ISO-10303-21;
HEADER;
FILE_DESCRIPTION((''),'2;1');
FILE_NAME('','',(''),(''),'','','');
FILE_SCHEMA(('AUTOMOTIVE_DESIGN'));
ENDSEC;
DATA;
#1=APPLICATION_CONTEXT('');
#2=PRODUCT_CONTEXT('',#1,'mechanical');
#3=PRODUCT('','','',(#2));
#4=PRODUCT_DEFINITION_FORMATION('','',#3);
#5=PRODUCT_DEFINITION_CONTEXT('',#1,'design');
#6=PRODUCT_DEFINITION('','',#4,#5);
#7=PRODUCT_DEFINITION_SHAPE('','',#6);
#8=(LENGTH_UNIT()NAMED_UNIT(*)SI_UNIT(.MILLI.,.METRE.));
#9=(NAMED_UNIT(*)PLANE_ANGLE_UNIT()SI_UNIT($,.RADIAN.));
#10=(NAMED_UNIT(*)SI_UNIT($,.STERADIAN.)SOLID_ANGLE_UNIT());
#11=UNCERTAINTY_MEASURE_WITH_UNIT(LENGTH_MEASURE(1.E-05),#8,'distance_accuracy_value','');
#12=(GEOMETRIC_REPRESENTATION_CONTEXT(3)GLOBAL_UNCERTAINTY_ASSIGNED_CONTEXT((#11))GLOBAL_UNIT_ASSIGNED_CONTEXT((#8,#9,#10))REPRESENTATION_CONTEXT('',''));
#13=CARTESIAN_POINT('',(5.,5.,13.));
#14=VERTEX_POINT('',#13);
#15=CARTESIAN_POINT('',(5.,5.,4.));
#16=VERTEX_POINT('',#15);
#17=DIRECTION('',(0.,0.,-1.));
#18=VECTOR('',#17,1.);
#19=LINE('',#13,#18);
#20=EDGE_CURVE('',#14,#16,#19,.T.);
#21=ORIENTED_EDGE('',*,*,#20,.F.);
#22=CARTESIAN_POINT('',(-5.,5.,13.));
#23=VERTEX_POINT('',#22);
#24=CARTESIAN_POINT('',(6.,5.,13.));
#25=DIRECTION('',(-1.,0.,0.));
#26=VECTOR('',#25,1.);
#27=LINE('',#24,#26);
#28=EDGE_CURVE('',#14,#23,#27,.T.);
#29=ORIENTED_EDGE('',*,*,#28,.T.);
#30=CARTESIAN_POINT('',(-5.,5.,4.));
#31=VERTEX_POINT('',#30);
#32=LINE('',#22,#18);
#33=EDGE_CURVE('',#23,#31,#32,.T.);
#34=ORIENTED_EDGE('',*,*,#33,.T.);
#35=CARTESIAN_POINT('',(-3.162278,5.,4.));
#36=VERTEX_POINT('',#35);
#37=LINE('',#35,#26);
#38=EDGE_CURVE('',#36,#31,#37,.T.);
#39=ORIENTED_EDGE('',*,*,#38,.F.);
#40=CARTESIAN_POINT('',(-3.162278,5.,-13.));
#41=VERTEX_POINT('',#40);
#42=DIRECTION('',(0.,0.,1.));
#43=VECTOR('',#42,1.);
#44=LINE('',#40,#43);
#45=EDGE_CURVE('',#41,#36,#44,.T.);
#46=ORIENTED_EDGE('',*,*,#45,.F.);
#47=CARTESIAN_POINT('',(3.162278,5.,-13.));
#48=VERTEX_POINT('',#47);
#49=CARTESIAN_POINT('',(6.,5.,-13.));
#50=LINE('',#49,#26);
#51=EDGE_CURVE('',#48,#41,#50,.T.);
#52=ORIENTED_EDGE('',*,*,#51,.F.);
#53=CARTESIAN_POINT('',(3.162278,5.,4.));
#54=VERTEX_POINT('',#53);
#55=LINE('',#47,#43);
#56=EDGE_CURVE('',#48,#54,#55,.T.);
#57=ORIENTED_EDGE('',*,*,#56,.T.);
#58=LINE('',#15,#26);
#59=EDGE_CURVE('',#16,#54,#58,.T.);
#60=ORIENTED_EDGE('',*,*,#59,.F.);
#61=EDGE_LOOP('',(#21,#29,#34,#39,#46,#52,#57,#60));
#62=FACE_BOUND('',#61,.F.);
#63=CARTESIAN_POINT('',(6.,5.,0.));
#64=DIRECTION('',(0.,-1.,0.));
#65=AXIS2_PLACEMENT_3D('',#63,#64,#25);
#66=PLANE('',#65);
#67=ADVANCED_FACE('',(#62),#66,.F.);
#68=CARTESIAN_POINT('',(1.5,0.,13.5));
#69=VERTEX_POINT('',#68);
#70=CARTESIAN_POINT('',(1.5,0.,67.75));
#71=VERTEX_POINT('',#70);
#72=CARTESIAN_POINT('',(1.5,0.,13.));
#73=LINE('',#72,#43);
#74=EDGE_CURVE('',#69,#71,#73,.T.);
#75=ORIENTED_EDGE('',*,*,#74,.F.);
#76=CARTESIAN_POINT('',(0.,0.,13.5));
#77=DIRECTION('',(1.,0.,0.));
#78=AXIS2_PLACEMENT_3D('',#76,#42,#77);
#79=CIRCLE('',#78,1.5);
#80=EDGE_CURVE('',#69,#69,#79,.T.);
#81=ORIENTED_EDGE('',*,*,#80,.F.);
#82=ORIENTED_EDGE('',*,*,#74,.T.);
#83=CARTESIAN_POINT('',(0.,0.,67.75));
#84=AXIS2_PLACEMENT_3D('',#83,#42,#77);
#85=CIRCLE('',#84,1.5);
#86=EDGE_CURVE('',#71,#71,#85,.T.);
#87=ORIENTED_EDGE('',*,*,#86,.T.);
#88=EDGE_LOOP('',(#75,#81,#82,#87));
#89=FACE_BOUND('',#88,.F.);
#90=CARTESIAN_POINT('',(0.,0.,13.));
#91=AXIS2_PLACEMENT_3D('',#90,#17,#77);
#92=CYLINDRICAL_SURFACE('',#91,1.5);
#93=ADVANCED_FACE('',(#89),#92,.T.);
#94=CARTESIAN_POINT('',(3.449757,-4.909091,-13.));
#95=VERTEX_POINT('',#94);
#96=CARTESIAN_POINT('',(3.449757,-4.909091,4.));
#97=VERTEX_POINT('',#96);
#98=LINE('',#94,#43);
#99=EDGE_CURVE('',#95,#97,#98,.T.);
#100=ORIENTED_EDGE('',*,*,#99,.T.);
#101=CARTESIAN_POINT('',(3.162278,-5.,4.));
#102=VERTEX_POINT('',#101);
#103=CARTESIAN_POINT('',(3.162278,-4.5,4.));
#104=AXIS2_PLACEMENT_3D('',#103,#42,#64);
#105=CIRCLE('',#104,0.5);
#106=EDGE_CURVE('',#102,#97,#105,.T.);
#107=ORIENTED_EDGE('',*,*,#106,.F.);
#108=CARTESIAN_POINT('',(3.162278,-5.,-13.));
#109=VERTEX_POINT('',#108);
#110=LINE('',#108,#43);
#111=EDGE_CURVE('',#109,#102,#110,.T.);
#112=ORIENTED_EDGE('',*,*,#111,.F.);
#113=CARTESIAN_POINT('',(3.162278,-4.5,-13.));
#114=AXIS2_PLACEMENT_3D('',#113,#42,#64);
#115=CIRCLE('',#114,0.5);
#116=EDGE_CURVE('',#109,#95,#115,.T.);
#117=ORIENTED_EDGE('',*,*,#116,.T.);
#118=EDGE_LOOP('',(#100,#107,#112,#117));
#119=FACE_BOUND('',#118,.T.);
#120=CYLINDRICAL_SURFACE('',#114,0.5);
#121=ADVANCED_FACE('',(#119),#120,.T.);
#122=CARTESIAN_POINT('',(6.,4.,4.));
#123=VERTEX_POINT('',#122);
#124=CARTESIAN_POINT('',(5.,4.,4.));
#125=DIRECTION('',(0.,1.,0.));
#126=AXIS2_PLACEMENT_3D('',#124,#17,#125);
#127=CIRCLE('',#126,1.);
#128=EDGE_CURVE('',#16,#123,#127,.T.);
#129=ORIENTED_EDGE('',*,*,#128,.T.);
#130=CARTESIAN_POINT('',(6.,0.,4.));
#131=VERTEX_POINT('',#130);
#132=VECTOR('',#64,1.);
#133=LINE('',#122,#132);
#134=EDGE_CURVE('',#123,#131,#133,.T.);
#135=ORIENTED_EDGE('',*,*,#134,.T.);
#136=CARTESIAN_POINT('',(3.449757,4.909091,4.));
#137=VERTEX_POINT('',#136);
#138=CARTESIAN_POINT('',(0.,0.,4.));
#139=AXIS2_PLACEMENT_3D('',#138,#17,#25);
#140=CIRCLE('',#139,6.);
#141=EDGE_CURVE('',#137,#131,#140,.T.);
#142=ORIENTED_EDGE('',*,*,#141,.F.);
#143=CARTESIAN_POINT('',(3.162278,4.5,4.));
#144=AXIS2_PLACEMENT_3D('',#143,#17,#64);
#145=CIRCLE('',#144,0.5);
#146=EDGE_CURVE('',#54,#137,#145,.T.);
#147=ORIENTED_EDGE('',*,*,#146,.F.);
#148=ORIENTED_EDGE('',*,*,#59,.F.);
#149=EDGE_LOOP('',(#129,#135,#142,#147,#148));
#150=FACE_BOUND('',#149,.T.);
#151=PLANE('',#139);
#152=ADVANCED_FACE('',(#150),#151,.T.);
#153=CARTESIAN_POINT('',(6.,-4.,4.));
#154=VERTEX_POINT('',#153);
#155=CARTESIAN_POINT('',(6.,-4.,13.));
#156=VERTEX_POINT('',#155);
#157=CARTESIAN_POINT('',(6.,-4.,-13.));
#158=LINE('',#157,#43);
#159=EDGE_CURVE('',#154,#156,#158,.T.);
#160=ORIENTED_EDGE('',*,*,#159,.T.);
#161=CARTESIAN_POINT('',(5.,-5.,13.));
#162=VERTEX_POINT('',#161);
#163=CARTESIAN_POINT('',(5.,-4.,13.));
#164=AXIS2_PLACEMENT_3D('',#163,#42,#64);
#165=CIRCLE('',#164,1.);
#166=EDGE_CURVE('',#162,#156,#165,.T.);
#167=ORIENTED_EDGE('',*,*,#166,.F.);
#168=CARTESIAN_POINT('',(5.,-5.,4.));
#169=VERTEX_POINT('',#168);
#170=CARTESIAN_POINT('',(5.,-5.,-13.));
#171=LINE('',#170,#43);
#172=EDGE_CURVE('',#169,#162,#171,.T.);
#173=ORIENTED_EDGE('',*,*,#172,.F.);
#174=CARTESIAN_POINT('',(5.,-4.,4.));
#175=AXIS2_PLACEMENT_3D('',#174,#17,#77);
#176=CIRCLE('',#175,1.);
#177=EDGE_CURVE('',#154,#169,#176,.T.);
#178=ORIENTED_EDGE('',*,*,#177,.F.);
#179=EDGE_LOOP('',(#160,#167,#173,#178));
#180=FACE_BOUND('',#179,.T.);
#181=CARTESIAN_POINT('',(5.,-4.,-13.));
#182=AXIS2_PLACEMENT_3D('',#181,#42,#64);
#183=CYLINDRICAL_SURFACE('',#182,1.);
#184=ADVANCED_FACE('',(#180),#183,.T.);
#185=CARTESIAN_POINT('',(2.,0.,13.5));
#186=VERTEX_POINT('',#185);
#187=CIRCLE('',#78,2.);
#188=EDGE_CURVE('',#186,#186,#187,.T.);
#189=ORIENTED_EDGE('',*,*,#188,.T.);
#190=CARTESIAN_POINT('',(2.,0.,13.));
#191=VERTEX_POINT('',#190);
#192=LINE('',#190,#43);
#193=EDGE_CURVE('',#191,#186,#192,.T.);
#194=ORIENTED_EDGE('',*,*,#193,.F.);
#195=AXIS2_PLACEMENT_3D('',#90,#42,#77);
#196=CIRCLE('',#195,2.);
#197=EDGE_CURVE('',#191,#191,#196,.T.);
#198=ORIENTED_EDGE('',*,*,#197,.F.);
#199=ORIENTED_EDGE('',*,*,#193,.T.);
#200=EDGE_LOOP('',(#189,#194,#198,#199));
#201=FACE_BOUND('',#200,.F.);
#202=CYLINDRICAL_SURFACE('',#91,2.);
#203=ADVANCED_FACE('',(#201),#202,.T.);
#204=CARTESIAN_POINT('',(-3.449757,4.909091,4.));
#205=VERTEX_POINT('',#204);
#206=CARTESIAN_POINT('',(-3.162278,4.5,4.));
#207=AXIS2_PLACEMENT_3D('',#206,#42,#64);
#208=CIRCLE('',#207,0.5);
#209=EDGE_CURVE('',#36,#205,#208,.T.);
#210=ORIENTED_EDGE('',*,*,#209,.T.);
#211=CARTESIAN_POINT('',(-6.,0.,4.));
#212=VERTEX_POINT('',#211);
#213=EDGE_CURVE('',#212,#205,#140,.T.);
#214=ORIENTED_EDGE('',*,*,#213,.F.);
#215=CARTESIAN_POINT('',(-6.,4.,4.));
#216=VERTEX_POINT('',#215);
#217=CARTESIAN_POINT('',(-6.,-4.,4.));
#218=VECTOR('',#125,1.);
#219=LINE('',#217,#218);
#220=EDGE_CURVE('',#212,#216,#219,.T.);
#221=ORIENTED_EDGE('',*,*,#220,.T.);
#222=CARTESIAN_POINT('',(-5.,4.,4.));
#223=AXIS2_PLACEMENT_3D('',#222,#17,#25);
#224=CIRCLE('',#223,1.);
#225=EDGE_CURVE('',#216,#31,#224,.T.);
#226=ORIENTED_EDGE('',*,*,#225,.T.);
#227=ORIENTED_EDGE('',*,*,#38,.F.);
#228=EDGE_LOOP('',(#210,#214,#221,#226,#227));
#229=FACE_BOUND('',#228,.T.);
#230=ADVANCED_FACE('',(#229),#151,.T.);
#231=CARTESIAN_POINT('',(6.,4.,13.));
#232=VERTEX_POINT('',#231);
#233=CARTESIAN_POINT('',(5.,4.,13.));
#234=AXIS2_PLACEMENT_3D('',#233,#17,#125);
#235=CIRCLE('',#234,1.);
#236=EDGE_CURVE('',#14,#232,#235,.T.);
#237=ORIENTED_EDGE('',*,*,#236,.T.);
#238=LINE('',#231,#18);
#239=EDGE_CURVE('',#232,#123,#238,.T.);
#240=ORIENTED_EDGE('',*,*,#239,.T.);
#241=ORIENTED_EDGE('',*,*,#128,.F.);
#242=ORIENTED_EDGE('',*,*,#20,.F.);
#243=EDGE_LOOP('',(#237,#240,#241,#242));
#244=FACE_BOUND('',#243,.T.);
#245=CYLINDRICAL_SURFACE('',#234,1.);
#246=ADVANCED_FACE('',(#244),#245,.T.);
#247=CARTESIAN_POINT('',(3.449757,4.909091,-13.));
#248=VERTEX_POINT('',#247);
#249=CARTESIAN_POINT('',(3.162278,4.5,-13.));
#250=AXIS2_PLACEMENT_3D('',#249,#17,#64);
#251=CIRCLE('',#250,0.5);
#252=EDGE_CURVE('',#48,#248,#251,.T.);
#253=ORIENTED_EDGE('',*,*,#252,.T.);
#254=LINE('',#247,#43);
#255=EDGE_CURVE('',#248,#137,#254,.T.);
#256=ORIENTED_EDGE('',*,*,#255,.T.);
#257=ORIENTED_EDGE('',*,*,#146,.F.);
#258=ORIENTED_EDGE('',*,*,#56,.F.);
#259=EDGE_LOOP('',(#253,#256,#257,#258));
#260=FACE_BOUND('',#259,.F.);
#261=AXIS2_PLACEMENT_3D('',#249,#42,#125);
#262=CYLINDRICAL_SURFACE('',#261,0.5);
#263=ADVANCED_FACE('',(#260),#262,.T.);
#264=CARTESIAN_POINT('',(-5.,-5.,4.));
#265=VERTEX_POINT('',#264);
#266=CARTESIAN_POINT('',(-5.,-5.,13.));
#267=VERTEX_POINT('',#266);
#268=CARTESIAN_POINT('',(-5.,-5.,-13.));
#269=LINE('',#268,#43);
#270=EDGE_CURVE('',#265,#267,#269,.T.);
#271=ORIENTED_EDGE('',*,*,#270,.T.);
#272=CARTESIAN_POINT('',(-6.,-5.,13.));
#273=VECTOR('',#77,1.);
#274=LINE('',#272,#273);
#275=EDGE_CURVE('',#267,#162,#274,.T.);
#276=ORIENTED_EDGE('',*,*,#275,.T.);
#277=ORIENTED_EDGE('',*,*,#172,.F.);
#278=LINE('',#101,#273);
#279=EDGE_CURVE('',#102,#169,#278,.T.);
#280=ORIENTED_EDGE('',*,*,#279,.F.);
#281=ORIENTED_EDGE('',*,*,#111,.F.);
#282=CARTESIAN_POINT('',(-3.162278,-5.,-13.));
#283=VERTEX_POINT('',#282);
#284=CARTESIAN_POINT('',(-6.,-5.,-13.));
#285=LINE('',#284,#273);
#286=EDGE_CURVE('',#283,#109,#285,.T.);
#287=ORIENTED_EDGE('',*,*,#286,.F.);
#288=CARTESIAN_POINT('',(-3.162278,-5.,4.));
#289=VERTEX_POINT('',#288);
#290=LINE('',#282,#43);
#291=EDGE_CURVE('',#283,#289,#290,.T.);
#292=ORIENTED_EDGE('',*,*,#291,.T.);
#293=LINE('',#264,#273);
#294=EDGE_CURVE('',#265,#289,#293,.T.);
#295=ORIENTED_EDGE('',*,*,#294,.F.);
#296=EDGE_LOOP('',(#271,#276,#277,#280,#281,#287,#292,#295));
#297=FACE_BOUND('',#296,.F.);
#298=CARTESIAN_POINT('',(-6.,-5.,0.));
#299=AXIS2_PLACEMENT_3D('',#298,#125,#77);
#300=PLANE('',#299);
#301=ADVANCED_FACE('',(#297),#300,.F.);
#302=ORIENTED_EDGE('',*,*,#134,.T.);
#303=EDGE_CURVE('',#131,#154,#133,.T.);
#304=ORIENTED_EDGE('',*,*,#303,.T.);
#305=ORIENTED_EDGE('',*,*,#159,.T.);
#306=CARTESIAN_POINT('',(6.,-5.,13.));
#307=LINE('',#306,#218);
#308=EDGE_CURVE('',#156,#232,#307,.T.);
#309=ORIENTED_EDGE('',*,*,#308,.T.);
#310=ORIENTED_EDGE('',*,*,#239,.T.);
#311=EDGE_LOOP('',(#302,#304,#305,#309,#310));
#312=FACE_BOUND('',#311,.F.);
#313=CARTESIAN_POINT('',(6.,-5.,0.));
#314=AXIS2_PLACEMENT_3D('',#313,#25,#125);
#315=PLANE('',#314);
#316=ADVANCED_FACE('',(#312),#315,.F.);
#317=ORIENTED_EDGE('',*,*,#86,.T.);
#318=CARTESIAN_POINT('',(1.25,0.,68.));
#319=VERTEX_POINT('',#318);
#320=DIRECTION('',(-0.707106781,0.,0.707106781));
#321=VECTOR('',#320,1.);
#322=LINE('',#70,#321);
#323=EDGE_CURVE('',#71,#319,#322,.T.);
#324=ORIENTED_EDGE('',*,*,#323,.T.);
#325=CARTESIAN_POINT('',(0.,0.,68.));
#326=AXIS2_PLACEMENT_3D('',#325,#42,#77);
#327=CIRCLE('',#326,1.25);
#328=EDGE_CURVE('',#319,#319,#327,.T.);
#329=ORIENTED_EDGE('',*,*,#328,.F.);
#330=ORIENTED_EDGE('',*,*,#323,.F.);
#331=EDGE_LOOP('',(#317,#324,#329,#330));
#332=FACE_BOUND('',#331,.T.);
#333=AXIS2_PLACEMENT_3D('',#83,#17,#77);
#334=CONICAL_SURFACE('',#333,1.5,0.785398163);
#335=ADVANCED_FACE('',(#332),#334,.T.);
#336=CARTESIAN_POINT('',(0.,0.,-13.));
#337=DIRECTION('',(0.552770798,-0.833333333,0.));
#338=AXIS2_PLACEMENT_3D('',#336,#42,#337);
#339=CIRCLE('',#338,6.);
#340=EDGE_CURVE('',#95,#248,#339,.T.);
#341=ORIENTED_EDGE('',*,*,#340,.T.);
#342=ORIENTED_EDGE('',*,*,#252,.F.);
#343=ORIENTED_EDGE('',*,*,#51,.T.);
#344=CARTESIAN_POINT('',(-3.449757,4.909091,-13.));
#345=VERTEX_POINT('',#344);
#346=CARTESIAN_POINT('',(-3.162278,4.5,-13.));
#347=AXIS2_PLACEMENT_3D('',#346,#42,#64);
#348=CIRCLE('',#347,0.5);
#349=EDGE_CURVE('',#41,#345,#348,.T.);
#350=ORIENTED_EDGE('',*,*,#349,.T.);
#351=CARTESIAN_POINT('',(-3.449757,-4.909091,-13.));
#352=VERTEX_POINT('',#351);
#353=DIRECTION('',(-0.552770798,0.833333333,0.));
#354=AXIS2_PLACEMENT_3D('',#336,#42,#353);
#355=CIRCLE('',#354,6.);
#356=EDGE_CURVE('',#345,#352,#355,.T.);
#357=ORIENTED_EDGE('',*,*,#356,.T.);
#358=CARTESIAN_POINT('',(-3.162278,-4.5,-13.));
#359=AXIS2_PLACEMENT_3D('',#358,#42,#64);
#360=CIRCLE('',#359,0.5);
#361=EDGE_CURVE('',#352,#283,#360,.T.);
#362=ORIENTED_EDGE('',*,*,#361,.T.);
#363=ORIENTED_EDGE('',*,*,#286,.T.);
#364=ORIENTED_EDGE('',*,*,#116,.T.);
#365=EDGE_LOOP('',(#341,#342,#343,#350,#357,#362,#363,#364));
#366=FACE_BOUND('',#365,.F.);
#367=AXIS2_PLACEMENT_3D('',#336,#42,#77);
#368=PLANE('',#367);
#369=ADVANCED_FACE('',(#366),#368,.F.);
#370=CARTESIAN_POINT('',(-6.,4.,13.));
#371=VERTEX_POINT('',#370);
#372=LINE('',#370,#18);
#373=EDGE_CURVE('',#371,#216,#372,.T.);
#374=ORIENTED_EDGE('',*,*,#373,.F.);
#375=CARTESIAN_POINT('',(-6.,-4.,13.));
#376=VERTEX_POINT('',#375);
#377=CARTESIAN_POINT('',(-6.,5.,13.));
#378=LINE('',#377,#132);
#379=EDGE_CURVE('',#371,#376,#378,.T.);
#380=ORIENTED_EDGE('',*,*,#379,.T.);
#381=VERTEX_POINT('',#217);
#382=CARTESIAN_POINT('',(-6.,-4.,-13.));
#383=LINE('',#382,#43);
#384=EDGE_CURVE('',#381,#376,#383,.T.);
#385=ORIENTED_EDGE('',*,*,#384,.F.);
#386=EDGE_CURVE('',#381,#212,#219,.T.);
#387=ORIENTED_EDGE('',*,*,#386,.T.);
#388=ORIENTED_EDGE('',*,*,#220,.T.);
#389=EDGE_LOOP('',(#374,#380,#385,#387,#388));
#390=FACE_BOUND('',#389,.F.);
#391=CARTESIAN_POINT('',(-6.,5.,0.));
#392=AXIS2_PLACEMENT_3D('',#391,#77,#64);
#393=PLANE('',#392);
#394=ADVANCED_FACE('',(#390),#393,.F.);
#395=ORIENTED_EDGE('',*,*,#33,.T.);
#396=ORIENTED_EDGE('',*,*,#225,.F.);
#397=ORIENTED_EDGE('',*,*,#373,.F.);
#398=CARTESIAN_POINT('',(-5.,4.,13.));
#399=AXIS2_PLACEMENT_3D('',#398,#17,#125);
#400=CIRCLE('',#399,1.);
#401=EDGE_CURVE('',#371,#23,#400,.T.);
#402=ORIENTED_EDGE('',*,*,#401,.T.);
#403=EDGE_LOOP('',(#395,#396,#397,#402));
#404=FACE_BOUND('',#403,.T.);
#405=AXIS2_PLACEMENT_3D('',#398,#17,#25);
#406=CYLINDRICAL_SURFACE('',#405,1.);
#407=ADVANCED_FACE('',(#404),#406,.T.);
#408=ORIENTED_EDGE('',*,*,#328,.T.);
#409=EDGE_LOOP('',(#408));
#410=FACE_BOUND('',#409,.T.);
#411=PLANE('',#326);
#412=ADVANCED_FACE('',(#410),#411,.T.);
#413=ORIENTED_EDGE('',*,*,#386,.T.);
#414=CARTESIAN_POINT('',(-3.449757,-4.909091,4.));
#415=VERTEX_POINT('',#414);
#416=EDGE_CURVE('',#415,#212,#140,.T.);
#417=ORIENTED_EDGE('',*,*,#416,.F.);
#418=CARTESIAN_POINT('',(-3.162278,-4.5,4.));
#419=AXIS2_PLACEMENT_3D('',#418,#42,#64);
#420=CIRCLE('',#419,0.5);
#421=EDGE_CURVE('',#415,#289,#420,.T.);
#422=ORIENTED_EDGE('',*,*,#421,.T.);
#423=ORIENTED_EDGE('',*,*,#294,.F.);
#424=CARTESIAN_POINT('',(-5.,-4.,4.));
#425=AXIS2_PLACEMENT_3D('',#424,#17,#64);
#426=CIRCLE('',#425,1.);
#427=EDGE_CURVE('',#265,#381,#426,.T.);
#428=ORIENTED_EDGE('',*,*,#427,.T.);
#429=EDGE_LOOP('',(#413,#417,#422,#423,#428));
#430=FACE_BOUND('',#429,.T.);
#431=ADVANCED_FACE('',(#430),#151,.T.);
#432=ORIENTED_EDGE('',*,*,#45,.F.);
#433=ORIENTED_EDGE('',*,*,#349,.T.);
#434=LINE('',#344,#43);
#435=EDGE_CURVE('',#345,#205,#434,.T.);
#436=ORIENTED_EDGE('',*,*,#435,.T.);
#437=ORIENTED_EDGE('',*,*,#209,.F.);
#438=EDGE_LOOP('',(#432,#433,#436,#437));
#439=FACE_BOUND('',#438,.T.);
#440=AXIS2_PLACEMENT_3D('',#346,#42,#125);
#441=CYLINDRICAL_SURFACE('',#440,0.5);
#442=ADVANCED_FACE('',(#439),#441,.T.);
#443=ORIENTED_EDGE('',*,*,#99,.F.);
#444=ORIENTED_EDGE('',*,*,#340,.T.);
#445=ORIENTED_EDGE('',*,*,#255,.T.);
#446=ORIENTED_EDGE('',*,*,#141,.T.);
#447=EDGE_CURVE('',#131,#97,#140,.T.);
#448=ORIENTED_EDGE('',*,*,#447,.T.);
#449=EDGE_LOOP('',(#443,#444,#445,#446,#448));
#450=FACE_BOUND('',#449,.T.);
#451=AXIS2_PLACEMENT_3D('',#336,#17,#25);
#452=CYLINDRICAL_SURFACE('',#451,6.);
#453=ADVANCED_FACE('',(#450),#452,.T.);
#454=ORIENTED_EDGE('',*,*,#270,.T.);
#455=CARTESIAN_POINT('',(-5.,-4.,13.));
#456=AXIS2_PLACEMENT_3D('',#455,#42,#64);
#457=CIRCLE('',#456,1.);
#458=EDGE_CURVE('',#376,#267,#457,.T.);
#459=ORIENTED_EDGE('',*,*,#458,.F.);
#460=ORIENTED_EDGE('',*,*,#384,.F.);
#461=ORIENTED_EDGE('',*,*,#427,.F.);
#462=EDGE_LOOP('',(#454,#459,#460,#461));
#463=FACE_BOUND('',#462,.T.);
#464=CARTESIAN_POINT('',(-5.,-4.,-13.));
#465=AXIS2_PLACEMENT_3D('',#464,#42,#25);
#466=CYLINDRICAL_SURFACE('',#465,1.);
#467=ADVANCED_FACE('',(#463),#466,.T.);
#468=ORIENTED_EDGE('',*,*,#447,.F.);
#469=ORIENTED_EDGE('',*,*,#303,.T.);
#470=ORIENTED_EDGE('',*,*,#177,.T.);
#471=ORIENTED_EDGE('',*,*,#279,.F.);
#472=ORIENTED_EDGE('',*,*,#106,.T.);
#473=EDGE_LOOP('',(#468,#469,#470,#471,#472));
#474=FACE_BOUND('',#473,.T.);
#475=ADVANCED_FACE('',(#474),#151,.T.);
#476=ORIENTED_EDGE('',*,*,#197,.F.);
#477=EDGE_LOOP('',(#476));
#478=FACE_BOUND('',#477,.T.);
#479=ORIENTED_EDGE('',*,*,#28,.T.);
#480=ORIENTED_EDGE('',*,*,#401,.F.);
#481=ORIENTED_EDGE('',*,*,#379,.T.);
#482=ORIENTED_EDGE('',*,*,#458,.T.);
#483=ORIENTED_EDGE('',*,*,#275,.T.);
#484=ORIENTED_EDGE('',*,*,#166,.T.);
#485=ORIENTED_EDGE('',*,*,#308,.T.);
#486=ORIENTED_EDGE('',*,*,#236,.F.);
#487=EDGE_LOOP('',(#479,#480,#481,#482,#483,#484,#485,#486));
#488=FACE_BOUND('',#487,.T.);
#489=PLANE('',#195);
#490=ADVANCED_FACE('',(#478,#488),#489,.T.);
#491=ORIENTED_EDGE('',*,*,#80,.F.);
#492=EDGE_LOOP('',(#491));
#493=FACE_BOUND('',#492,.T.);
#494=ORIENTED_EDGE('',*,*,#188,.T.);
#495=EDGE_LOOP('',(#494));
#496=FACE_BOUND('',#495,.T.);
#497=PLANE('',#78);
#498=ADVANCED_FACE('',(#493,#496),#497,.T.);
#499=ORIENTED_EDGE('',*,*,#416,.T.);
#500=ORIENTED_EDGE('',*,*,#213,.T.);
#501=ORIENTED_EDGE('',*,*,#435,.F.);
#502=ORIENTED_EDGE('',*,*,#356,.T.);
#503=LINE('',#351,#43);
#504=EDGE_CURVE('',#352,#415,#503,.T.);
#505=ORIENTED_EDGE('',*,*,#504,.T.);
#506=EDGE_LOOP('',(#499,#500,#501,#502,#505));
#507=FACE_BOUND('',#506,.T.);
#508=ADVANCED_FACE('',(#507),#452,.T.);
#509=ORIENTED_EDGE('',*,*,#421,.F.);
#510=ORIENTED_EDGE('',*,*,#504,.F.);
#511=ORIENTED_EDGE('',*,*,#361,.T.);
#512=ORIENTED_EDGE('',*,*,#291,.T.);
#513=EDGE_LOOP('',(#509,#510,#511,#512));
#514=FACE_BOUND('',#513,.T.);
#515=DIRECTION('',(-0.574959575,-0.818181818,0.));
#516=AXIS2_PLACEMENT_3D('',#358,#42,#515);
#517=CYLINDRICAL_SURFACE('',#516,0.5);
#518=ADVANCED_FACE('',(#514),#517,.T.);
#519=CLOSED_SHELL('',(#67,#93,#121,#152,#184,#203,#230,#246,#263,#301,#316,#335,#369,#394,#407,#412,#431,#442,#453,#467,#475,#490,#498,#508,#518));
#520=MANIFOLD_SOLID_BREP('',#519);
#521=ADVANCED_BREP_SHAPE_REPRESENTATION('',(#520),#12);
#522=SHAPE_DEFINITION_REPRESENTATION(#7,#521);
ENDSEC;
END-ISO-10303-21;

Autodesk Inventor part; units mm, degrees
ref_plane "YZ Plane" through (0, 0, 0) normal (1, 0, 0) x (0, 1, 0)
ref_plane "XZ Plane" through (0, 0, 0) normal (0, 1, 0) x (-1, 0, 0)
ref_plane "XY Plane" through (0, 0, 0) normal (0, 0, 1) x (1, 0, 0)
sketch "Sketch1" plane through (0, 0, 0) normal (0, 0, 1) x (1, 0, 0)
  line L0 (-6, -5) -> (6, -5)
  line L1 (6, -5) -> (6, 5)
  line L2 (6, 5) -> (-6, 5)
  line L3 (-6, 5) -> (-6, -5)
  line L4 (-6, -5) -> (6, 5) construction
  line L5 (6, -5) -> (-6, 5) construction
  point P0 (0, 0)
  dimension "d0" = 12
  dimension "d1" = 10
extrude "Extrusion1" add sketch "Sketch1" along normal mid plane 26
sketch "Sketch2" plane through (0, 0, 13) normal (0, 0, 1) x (1, 0, 0)
  circle A0 centre (0, 0) radius 1.5
  circle A1 centre (0, 0) radius 2
  dimension "d4" = 3
  dimension "d12" = 4
extrude "Extrusion2" add sketch "Sketch2" along normal blind 55 contours A0
fillet "Fillet1" radius 1 4 edges at (6, 5, 0) (-6, 5, 0) (6, -5, 0) (-6, -5, 0)
sketch "Sketch3" plane through (0, 0, -13) normal (0, 0, -1) x (-1, 0, 0)
  arc A0 (5, -5) -> (6, -4) centre (5, -4) ccw projected
  line L0 (6, -4) -> (6, 4) projected
  arc A1 (6, 4) -> (5, 5) centre (5, 4) ccw projected
  line L1 (5, 5) -> (-5, 5) projected
  arc A2 (-5, 5) -> (-6, 4) centre (-5, 4) ccw projected
  line L2 (-6, 4) -> (-6, -4) projected
  arc A3 (-6, -4) -> (-5, -5) centre (-5, -4) ccw projected
  line L3 (-5, -5) -> (5, -5) projected
  circle A4 centre (0, 0) radius 6
  point P0 (3.3166, 5)
  point P1 (6, 0)
  point P2 (3.3166, -5)
  point P3 (-3.3166, -5)
  point P4 (-6, 0)
  point P5 (-3.3166, 5)
  dimension "d8" = 12
extrude "Extrusion3" cut sketch "Sketch3" against normal blind 17 contours L3 A4 L0 A0 | A4 L1 A1 L0 | L3 A3 L2 A4 | L2 A2 L1 A4
fillet "Fillet2" radius 0.5 4 edges at (-3.3166, -5, -4.5) (3.3166, -5, -4.5) (-3.3166, 5, -4.5) (3.3166, 5, -4.5)
extrude "Extrusion4" add sketch "Sketch2" along normal blind 0.5
chamfer "Chamfer1" distance 0.25 angle 45 1 edges at (-1.5, 0, 68)
properties part number "DC Motor"
